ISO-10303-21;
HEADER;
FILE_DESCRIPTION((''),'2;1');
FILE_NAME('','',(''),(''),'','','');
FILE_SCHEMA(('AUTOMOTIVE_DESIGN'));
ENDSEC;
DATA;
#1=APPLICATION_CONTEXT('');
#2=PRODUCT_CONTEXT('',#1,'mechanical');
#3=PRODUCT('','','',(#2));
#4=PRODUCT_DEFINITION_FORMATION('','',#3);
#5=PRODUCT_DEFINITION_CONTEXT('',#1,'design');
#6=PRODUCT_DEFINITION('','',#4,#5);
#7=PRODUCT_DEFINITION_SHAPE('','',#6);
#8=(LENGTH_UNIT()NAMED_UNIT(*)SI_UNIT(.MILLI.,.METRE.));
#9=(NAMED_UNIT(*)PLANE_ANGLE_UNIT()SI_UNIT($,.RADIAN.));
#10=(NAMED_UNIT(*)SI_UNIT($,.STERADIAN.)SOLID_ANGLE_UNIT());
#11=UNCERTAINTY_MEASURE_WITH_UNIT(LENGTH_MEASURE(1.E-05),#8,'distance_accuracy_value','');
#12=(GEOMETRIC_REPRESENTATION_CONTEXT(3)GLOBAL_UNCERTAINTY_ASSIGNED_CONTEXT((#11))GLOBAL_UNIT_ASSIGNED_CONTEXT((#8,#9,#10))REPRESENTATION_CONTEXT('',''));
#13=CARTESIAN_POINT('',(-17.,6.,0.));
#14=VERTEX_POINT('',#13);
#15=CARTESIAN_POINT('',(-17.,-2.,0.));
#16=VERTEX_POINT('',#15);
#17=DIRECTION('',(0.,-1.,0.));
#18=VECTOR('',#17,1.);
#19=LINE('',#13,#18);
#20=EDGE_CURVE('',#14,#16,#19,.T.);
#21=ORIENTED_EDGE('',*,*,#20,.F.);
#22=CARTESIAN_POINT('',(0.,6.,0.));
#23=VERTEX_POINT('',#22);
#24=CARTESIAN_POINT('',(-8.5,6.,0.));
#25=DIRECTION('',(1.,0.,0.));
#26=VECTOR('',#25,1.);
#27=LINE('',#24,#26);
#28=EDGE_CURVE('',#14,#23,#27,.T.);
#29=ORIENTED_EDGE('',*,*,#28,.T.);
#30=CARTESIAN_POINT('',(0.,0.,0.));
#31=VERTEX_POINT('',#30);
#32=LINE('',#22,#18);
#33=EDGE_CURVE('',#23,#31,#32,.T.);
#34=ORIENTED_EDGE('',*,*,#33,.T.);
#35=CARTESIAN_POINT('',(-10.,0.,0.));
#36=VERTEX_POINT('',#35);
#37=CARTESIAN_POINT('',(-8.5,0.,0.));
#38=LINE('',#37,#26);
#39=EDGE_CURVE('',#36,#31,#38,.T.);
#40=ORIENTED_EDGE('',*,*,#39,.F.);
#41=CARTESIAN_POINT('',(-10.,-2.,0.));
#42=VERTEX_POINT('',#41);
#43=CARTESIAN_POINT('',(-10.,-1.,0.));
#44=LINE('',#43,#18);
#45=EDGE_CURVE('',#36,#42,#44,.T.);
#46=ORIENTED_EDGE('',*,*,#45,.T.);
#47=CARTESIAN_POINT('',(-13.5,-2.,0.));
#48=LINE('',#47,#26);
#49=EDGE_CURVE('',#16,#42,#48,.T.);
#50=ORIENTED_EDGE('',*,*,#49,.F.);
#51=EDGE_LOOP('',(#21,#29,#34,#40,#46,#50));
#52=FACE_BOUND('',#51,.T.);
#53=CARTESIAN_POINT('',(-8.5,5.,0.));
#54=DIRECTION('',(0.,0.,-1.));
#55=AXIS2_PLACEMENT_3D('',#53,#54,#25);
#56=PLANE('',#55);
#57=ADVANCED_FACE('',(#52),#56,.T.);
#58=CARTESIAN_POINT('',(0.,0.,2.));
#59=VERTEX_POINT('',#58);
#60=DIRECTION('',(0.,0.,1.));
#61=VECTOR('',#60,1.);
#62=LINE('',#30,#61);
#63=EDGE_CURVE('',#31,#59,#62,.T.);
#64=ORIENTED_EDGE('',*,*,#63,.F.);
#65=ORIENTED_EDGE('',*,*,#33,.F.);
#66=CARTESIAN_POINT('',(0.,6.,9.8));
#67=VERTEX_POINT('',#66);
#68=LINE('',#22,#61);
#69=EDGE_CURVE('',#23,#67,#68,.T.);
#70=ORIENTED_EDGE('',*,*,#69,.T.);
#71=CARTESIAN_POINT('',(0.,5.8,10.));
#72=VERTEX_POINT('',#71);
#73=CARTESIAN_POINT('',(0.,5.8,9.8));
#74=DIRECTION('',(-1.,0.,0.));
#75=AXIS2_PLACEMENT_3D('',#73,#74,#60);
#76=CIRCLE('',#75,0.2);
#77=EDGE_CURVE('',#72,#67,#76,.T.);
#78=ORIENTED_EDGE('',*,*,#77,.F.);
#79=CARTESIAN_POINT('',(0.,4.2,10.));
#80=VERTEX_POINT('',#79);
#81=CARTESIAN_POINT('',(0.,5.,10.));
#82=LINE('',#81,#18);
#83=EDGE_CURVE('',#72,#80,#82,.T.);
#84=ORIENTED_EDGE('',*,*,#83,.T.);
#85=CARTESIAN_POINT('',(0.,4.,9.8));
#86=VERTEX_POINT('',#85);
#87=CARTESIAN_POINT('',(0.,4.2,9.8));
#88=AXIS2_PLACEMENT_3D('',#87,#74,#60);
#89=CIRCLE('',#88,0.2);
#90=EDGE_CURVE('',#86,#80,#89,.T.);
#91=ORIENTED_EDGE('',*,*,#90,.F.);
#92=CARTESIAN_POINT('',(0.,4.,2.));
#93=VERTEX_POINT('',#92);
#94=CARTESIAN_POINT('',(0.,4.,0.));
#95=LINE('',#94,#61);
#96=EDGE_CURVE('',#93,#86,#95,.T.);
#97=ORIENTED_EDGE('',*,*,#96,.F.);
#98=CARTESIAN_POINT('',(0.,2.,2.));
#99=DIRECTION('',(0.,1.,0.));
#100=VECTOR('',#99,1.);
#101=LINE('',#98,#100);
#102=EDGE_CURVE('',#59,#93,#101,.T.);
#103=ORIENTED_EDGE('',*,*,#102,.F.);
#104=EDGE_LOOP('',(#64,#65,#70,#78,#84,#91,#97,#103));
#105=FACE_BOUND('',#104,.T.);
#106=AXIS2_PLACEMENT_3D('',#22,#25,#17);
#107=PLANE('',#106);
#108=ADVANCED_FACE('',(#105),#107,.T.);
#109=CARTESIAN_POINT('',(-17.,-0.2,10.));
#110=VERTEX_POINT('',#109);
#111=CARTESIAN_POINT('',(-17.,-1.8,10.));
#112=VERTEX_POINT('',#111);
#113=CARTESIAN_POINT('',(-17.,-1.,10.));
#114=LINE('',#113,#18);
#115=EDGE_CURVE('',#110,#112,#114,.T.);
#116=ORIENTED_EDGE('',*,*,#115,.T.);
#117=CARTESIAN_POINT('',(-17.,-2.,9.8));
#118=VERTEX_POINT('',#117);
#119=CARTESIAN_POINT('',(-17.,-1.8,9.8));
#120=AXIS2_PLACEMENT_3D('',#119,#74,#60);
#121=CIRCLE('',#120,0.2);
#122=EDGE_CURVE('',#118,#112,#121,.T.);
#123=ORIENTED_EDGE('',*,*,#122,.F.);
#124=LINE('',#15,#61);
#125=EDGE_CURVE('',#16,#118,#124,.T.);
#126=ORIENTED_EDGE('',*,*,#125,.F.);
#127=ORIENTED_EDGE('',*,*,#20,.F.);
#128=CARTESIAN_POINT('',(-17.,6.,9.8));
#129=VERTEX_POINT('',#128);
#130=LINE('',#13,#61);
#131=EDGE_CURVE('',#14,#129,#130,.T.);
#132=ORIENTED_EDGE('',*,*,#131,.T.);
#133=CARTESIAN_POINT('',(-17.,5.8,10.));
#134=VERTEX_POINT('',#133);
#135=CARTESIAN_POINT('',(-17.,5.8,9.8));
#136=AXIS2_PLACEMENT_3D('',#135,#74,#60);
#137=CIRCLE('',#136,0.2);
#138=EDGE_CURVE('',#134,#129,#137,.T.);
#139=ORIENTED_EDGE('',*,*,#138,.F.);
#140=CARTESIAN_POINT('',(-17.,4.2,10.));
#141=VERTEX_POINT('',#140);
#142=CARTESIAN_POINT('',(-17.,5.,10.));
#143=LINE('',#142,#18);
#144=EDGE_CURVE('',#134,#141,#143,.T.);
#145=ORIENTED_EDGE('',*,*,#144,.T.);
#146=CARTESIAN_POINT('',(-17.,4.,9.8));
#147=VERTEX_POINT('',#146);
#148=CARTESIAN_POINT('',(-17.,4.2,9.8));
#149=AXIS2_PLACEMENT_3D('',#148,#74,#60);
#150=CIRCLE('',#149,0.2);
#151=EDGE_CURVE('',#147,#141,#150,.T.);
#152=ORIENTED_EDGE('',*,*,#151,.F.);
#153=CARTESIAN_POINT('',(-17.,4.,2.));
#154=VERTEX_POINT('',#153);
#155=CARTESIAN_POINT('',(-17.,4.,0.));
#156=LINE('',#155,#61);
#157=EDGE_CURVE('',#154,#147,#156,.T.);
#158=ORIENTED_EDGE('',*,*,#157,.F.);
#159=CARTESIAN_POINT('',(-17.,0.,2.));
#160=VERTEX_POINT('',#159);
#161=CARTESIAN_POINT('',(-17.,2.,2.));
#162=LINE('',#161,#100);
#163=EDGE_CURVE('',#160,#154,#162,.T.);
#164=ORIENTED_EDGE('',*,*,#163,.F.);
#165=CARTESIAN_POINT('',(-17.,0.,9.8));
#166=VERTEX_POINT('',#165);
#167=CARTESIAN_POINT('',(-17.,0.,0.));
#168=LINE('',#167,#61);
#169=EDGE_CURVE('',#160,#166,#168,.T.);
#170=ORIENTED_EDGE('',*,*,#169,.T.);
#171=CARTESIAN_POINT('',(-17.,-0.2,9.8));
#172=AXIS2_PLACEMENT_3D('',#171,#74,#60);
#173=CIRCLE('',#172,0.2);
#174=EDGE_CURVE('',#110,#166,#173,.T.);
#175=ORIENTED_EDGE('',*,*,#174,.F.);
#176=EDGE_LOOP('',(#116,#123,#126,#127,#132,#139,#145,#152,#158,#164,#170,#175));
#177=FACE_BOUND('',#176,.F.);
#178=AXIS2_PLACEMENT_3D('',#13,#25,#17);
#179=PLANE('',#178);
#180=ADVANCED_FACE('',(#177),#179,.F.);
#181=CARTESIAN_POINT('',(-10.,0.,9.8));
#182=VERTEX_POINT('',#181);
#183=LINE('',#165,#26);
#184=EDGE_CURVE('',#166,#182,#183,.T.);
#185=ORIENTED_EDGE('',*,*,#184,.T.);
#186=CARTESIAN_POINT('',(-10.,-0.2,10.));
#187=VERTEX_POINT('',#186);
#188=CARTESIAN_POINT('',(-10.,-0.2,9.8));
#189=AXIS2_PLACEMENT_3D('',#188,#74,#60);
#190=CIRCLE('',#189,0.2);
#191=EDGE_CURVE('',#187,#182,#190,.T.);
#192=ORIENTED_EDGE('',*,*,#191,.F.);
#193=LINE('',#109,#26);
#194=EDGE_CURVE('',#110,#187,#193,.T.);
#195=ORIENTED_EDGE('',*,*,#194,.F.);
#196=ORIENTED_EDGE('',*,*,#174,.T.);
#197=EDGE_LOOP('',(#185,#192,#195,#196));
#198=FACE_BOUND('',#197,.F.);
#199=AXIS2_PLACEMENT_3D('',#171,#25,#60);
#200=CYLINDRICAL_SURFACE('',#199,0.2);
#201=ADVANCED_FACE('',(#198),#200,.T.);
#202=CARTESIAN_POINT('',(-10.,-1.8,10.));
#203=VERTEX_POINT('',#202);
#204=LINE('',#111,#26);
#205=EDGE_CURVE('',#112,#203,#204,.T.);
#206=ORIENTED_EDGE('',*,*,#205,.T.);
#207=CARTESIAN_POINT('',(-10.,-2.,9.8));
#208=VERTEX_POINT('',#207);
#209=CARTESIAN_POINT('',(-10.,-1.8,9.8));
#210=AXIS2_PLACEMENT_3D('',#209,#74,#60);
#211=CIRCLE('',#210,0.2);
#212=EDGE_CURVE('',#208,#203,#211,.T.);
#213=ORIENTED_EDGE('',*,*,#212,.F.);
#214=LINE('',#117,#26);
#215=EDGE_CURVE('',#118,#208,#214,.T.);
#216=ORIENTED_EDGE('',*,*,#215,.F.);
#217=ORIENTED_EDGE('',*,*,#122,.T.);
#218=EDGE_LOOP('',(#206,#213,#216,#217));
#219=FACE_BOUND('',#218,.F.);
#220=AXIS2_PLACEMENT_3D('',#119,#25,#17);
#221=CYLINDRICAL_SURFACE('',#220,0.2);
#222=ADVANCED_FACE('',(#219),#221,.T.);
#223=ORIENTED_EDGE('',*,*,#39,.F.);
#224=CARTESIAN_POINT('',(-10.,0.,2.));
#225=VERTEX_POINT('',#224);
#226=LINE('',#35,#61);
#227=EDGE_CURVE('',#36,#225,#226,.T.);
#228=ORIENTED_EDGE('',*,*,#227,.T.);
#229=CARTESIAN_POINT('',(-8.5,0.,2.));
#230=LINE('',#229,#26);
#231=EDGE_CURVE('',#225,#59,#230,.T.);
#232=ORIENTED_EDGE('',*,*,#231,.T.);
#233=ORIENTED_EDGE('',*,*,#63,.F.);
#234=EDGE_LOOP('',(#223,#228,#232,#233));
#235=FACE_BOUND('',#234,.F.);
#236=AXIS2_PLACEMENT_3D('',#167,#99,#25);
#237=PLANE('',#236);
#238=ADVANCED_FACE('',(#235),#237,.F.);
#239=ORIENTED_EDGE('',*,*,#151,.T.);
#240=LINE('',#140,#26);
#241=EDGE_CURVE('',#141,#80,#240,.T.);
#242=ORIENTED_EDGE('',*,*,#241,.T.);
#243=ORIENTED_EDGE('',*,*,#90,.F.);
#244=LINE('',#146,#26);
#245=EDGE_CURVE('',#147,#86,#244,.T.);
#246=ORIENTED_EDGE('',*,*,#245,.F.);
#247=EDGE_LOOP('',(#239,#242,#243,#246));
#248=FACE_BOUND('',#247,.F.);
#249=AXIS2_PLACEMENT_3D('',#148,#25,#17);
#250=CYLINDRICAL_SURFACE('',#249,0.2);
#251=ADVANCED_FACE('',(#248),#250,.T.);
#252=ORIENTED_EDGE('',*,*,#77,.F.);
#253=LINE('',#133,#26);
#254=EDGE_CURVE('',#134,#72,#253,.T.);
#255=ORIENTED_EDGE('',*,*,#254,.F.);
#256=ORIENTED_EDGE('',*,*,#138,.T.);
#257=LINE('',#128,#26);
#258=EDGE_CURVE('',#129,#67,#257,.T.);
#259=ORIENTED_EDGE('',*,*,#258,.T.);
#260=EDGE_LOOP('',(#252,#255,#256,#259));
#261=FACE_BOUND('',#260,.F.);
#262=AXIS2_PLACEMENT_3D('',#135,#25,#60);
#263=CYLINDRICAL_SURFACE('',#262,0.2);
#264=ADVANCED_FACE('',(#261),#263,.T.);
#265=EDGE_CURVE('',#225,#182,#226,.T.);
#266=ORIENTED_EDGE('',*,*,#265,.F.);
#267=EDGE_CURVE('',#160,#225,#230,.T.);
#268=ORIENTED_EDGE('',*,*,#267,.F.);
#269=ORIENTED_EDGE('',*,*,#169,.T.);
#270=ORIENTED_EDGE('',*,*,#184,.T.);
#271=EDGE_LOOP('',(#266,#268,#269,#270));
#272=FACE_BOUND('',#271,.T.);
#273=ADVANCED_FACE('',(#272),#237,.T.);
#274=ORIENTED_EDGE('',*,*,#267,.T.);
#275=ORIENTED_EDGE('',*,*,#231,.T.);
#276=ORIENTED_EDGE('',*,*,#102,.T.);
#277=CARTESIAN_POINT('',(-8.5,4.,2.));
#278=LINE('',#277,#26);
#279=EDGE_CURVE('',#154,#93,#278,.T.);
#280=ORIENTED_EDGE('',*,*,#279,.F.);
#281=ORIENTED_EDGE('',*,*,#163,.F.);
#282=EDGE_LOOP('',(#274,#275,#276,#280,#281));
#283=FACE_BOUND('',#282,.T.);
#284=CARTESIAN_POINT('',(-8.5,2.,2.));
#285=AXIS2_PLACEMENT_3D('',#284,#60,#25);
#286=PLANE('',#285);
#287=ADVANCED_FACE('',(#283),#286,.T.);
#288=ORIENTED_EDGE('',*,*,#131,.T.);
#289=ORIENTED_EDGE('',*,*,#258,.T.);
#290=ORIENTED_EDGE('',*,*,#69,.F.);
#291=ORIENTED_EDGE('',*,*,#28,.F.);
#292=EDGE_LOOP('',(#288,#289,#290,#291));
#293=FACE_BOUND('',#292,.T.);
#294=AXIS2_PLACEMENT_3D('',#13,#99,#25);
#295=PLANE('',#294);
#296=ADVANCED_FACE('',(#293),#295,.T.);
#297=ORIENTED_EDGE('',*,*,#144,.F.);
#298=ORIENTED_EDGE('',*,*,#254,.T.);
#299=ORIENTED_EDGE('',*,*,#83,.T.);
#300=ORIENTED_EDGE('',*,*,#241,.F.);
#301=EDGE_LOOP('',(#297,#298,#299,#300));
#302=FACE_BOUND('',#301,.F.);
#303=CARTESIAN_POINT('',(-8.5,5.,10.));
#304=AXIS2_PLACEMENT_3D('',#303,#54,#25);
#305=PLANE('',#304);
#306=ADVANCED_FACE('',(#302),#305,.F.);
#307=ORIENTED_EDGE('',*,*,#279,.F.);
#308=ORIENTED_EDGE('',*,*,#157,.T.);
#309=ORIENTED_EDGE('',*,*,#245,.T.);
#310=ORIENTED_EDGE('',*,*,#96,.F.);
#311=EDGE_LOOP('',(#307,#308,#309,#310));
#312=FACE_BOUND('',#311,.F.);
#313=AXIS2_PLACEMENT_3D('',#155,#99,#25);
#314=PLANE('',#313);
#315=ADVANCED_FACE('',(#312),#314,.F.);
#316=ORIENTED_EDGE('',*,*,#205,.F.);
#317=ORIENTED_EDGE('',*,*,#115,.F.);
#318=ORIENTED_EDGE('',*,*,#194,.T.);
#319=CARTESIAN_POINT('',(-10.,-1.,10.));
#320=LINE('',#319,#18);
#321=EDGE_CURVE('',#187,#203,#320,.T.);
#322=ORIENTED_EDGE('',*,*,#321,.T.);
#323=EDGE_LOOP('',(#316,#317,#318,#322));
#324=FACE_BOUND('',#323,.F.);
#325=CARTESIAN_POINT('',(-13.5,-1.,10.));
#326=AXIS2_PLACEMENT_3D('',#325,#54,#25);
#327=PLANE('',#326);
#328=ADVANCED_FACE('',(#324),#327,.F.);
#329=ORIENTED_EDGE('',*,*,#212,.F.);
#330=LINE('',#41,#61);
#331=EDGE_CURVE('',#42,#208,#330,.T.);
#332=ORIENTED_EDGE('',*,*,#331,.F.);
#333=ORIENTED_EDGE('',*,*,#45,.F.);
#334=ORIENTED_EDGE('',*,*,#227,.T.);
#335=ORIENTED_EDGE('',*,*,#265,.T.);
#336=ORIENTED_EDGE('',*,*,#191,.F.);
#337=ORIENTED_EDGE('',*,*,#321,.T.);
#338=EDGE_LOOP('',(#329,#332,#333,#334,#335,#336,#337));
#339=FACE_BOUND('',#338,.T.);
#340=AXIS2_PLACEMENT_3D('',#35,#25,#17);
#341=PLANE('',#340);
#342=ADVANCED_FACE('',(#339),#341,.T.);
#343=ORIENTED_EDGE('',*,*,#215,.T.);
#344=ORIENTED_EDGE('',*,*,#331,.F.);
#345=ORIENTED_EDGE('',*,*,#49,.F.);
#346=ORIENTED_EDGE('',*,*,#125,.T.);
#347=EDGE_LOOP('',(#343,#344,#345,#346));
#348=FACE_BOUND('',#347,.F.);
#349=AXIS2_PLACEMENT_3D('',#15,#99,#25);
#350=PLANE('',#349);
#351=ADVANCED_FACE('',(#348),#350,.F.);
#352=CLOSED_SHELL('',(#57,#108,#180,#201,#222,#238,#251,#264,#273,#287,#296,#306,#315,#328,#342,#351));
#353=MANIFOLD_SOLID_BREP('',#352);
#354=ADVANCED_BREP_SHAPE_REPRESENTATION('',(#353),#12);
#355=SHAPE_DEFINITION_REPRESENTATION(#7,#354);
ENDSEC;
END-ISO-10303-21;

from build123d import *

# Parameters (mm, degrees)
F0_W     = 17
F0_H     = 4
F1_DEPTH = 2
F2_W     = 17
F2_H     = 2
F2_W_2   = 7
F3_DEPTH = 10
F4_R     = 0.2


with BuildPart() as f1:
    # F0 (on Top) → F1 (new body)
    with BuildSketch(Plane.XY):
        with Locations((-8.5, 2)):
            Rectangle(F0_W, F0_H)
    extrude(amount=F1_DEPTH)

    # F2 (on face) → F3 (join)
    with BuildSketch(Plane(origin=(0, 0, 0), x_dir=(1, 0, 0), z_dir=(0, 0, -1))):
        with Locations((-8.5, -5)):
            Rectangle(F2_W, F2_H)
        with Locations((-13.5, 1)):
            Rectangle(F2_W_2, F2_H)
    extrude(amount=-F3_DEPTH)

    # F4
    f4_edges = [f1.edges().sort_by_distance(p)[0] for p in [
        (-13.5, -2, 10),
        (-13.5, 0, 10),
        (-8.5, 4, 10),
        (-8.5, 6, 10),
    ]]
    fillet(f4_edges, radius=F4_R)


solid = f1.part
